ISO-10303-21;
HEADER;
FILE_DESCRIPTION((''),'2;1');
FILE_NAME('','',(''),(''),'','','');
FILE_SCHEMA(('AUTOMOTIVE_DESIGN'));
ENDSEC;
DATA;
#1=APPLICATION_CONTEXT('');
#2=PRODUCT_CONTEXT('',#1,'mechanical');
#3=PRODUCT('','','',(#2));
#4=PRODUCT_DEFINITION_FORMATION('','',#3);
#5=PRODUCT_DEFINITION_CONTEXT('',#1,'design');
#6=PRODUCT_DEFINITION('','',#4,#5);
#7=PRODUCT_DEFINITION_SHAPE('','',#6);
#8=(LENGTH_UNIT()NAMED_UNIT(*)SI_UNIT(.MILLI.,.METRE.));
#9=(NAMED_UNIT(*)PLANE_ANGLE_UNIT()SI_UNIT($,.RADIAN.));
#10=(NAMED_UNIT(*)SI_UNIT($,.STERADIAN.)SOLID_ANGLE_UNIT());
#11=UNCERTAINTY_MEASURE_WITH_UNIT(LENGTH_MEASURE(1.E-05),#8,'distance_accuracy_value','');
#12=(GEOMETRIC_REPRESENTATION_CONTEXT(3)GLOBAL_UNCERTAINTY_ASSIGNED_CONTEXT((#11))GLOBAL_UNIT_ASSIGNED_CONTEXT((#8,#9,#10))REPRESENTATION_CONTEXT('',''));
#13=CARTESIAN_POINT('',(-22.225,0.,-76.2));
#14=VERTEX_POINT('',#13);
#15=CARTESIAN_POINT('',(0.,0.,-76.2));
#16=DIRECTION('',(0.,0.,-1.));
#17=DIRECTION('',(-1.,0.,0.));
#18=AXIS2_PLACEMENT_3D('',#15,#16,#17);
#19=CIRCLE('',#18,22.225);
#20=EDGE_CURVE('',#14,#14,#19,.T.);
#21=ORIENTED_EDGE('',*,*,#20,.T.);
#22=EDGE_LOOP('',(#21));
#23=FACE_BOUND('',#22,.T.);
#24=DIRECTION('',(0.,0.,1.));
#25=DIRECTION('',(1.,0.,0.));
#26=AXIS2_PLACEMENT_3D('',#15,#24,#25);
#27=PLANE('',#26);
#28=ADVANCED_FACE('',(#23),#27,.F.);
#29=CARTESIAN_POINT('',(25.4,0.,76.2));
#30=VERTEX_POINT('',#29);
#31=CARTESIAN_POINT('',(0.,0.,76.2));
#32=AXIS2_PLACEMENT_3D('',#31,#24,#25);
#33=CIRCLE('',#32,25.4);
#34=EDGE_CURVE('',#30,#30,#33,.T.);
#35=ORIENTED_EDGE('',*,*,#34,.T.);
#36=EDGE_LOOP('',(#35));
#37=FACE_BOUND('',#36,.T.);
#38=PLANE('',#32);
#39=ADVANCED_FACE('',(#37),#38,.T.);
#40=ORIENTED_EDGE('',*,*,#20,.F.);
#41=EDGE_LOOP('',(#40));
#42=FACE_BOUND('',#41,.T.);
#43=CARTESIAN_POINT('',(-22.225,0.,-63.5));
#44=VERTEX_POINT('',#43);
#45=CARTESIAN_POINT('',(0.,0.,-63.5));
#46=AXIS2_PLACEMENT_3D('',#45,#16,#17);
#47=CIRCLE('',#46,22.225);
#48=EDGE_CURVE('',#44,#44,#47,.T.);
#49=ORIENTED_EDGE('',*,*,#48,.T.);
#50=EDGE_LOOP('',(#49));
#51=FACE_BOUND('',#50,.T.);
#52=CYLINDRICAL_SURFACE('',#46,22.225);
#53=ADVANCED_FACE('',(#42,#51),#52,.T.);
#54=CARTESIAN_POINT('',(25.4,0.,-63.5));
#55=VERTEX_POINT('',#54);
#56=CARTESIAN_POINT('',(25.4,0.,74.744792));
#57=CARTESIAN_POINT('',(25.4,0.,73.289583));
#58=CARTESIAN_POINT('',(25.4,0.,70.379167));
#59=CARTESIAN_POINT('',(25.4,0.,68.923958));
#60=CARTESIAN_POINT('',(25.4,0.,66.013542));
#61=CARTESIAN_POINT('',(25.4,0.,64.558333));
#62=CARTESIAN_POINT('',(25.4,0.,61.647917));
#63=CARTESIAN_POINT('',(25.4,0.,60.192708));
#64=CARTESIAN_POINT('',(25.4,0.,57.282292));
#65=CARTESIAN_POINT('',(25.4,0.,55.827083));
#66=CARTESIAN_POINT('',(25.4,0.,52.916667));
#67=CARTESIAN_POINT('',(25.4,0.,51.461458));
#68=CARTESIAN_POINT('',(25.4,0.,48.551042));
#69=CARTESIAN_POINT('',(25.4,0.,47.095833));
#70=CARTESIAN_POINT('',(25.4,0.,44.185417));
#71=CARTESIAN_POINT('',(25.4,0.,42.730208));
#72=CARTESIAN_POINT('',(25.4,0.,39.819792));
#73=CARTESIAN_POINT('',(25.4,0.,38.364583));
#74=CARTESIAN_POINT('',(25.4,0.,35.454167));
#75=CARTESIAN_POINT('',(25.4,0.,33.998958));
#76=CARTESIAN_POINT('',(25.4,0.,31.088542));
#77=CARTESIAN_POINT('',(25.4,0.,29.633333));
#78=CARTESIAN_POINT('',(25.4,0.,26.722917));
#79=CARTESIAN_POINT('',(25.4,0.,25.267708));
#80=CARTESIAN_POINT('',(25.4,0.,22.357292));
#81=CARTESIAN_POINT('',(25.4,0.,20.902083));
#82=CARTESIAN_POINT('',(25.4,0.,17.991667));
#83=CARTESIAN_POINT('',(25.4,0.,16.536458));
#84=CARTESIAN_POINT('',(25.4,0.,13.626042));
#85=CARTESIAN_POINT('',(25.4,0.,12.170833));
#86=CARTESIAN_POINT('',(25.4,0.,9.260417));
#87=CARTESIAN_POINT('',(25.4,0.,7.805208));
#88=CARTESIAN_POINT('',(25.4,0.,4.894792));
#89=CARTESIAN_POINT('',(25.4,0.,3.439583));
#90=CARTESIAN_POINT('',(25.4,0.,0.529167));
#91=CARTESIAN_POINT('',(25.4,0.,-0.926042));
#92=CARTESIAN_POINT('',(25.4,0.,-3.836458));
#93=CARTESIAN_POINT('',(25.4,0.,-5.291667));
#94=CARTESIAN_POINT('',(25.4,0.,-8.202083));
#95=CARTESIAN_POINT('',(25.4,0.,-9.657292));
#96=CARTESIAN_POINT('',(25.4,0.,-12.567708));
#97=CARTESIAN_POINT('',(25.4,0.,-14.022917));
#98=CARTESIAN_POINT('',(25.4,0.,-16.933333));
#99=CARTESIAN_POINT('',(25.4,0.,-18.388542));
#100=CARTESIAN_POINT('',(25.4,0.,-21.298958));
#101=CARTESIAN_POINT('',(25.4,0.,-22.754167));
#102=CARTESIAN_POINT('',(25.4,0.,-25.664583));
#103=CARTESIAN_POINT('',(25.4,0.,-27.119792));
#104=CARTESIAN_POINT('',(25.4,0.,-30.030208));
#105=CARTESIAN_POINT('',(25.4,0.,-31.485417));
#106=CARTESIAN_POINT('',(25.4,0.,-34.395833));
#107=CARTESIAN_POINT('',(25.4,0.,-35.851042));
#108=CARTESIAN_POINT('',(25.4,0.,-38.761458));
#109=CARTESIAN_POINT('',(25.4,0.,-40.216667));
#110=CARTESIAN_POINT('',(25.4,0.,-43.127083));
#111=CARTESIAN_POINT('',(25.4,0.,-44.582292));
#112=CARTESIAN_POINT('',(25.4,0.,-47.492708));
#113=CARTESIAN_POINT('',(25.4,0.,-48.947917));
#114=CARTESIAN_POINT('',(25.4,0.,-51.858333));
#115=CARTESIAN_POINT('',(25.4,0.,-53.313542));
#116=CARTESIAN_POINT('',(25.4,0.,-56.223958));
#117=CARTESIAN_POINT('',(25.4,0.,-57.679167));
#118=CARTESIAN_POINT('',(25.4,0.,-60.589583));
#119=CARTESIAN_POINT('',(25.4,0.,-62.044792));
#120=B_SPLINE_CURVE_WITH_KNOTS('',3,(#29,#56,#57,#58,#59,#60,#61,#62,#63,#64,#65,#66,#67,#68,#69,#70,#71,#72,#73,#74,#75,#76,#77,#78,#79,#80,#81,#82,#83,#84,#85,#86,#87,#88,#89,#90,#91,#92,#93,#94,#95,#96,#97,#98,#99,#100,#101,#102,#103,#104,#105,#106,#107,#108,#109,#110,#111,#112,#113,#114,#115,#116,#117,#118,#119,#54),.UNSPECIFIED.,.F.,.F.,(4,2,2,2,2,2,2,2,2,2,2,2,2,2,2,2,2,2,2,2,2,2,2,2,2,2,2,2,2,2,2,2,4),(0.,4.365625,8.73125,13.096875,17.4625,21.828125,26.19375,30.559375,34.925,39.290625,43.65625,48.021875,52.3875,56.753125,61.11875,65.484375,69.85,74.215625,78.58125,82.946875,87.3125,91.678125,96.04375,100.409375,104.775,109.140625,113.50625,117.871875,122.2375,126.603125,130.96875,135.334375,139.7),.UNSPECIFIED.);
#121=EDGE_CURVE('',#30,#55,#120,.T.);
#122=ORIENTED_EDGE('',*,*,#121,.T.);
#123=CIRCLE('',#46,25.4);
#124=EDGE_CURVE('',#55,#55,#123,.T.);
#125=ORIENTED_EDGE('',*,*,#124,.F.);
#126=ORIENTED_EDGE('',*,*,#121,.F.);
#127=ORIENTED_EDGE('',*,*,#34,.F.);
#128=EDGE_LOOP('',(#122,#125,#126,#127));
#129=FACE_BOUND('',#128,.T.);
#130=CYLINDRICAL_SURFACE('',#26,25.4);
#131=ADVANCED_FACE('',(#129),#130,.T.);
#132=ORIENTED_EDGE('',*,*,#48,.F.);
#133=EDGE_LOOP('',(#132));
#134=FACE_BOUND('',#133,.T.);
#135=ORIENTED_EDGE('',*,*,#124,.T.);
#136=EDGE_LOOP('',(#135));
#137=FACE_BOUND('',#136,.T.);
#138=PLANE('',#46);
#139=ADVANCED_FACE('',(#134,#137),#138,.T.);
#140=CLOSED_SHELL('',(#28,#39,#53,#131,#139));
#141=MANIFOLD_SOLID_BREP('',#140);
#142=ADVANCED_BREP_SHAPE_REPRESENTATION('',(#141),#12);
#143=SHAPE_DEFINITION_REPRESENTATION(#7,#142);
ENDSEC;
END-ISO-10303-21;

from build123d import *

# Parameters (mm, degrees)
BOSS_EXTRUDE2_START = 76.2
SKETCH1_R           = 25.4
BOSS_EXTRUDE2_DEPTH = 152.4
CUT_EXTRUDE1_START  = -12.7
SKETCH2_R           = 25.4
SKETCH2_R_2         = 22.225
CUT_EXTRUDE1_DEPTH  = 12.7


with BuildPart() as part:
    # Sketch1 → Boss-Extrude2 (new body)
    with BuildSketch(Plane.XY.offset(BOSS_EXTRUDE2_START)):
        Circle(SKETCH1_R)
    extrude(amount=-BOSS_EXTRUDE2_DEPTH)

    # Sketch2 → Cut-Extrude1 (cut)
    with BuildSketch(Plane(origin=(0, 0, -76.2), x_dir=(-1, 0, 0), z_dir=(0, 0, -1)).offset(CUT_EXTRUDE1_START)):
        with Locations(Location((0, 0, 0), (0, 0, 180))):
            Circle(SKETCH2_R)
        Circle(SKETCH2_R_2, mode=Mode.SUBTRACT)
    extrude(amount=CUT_EXTRUDE1_DEPTH, mode=Mode.SUBTRACT)


solid = part.part
